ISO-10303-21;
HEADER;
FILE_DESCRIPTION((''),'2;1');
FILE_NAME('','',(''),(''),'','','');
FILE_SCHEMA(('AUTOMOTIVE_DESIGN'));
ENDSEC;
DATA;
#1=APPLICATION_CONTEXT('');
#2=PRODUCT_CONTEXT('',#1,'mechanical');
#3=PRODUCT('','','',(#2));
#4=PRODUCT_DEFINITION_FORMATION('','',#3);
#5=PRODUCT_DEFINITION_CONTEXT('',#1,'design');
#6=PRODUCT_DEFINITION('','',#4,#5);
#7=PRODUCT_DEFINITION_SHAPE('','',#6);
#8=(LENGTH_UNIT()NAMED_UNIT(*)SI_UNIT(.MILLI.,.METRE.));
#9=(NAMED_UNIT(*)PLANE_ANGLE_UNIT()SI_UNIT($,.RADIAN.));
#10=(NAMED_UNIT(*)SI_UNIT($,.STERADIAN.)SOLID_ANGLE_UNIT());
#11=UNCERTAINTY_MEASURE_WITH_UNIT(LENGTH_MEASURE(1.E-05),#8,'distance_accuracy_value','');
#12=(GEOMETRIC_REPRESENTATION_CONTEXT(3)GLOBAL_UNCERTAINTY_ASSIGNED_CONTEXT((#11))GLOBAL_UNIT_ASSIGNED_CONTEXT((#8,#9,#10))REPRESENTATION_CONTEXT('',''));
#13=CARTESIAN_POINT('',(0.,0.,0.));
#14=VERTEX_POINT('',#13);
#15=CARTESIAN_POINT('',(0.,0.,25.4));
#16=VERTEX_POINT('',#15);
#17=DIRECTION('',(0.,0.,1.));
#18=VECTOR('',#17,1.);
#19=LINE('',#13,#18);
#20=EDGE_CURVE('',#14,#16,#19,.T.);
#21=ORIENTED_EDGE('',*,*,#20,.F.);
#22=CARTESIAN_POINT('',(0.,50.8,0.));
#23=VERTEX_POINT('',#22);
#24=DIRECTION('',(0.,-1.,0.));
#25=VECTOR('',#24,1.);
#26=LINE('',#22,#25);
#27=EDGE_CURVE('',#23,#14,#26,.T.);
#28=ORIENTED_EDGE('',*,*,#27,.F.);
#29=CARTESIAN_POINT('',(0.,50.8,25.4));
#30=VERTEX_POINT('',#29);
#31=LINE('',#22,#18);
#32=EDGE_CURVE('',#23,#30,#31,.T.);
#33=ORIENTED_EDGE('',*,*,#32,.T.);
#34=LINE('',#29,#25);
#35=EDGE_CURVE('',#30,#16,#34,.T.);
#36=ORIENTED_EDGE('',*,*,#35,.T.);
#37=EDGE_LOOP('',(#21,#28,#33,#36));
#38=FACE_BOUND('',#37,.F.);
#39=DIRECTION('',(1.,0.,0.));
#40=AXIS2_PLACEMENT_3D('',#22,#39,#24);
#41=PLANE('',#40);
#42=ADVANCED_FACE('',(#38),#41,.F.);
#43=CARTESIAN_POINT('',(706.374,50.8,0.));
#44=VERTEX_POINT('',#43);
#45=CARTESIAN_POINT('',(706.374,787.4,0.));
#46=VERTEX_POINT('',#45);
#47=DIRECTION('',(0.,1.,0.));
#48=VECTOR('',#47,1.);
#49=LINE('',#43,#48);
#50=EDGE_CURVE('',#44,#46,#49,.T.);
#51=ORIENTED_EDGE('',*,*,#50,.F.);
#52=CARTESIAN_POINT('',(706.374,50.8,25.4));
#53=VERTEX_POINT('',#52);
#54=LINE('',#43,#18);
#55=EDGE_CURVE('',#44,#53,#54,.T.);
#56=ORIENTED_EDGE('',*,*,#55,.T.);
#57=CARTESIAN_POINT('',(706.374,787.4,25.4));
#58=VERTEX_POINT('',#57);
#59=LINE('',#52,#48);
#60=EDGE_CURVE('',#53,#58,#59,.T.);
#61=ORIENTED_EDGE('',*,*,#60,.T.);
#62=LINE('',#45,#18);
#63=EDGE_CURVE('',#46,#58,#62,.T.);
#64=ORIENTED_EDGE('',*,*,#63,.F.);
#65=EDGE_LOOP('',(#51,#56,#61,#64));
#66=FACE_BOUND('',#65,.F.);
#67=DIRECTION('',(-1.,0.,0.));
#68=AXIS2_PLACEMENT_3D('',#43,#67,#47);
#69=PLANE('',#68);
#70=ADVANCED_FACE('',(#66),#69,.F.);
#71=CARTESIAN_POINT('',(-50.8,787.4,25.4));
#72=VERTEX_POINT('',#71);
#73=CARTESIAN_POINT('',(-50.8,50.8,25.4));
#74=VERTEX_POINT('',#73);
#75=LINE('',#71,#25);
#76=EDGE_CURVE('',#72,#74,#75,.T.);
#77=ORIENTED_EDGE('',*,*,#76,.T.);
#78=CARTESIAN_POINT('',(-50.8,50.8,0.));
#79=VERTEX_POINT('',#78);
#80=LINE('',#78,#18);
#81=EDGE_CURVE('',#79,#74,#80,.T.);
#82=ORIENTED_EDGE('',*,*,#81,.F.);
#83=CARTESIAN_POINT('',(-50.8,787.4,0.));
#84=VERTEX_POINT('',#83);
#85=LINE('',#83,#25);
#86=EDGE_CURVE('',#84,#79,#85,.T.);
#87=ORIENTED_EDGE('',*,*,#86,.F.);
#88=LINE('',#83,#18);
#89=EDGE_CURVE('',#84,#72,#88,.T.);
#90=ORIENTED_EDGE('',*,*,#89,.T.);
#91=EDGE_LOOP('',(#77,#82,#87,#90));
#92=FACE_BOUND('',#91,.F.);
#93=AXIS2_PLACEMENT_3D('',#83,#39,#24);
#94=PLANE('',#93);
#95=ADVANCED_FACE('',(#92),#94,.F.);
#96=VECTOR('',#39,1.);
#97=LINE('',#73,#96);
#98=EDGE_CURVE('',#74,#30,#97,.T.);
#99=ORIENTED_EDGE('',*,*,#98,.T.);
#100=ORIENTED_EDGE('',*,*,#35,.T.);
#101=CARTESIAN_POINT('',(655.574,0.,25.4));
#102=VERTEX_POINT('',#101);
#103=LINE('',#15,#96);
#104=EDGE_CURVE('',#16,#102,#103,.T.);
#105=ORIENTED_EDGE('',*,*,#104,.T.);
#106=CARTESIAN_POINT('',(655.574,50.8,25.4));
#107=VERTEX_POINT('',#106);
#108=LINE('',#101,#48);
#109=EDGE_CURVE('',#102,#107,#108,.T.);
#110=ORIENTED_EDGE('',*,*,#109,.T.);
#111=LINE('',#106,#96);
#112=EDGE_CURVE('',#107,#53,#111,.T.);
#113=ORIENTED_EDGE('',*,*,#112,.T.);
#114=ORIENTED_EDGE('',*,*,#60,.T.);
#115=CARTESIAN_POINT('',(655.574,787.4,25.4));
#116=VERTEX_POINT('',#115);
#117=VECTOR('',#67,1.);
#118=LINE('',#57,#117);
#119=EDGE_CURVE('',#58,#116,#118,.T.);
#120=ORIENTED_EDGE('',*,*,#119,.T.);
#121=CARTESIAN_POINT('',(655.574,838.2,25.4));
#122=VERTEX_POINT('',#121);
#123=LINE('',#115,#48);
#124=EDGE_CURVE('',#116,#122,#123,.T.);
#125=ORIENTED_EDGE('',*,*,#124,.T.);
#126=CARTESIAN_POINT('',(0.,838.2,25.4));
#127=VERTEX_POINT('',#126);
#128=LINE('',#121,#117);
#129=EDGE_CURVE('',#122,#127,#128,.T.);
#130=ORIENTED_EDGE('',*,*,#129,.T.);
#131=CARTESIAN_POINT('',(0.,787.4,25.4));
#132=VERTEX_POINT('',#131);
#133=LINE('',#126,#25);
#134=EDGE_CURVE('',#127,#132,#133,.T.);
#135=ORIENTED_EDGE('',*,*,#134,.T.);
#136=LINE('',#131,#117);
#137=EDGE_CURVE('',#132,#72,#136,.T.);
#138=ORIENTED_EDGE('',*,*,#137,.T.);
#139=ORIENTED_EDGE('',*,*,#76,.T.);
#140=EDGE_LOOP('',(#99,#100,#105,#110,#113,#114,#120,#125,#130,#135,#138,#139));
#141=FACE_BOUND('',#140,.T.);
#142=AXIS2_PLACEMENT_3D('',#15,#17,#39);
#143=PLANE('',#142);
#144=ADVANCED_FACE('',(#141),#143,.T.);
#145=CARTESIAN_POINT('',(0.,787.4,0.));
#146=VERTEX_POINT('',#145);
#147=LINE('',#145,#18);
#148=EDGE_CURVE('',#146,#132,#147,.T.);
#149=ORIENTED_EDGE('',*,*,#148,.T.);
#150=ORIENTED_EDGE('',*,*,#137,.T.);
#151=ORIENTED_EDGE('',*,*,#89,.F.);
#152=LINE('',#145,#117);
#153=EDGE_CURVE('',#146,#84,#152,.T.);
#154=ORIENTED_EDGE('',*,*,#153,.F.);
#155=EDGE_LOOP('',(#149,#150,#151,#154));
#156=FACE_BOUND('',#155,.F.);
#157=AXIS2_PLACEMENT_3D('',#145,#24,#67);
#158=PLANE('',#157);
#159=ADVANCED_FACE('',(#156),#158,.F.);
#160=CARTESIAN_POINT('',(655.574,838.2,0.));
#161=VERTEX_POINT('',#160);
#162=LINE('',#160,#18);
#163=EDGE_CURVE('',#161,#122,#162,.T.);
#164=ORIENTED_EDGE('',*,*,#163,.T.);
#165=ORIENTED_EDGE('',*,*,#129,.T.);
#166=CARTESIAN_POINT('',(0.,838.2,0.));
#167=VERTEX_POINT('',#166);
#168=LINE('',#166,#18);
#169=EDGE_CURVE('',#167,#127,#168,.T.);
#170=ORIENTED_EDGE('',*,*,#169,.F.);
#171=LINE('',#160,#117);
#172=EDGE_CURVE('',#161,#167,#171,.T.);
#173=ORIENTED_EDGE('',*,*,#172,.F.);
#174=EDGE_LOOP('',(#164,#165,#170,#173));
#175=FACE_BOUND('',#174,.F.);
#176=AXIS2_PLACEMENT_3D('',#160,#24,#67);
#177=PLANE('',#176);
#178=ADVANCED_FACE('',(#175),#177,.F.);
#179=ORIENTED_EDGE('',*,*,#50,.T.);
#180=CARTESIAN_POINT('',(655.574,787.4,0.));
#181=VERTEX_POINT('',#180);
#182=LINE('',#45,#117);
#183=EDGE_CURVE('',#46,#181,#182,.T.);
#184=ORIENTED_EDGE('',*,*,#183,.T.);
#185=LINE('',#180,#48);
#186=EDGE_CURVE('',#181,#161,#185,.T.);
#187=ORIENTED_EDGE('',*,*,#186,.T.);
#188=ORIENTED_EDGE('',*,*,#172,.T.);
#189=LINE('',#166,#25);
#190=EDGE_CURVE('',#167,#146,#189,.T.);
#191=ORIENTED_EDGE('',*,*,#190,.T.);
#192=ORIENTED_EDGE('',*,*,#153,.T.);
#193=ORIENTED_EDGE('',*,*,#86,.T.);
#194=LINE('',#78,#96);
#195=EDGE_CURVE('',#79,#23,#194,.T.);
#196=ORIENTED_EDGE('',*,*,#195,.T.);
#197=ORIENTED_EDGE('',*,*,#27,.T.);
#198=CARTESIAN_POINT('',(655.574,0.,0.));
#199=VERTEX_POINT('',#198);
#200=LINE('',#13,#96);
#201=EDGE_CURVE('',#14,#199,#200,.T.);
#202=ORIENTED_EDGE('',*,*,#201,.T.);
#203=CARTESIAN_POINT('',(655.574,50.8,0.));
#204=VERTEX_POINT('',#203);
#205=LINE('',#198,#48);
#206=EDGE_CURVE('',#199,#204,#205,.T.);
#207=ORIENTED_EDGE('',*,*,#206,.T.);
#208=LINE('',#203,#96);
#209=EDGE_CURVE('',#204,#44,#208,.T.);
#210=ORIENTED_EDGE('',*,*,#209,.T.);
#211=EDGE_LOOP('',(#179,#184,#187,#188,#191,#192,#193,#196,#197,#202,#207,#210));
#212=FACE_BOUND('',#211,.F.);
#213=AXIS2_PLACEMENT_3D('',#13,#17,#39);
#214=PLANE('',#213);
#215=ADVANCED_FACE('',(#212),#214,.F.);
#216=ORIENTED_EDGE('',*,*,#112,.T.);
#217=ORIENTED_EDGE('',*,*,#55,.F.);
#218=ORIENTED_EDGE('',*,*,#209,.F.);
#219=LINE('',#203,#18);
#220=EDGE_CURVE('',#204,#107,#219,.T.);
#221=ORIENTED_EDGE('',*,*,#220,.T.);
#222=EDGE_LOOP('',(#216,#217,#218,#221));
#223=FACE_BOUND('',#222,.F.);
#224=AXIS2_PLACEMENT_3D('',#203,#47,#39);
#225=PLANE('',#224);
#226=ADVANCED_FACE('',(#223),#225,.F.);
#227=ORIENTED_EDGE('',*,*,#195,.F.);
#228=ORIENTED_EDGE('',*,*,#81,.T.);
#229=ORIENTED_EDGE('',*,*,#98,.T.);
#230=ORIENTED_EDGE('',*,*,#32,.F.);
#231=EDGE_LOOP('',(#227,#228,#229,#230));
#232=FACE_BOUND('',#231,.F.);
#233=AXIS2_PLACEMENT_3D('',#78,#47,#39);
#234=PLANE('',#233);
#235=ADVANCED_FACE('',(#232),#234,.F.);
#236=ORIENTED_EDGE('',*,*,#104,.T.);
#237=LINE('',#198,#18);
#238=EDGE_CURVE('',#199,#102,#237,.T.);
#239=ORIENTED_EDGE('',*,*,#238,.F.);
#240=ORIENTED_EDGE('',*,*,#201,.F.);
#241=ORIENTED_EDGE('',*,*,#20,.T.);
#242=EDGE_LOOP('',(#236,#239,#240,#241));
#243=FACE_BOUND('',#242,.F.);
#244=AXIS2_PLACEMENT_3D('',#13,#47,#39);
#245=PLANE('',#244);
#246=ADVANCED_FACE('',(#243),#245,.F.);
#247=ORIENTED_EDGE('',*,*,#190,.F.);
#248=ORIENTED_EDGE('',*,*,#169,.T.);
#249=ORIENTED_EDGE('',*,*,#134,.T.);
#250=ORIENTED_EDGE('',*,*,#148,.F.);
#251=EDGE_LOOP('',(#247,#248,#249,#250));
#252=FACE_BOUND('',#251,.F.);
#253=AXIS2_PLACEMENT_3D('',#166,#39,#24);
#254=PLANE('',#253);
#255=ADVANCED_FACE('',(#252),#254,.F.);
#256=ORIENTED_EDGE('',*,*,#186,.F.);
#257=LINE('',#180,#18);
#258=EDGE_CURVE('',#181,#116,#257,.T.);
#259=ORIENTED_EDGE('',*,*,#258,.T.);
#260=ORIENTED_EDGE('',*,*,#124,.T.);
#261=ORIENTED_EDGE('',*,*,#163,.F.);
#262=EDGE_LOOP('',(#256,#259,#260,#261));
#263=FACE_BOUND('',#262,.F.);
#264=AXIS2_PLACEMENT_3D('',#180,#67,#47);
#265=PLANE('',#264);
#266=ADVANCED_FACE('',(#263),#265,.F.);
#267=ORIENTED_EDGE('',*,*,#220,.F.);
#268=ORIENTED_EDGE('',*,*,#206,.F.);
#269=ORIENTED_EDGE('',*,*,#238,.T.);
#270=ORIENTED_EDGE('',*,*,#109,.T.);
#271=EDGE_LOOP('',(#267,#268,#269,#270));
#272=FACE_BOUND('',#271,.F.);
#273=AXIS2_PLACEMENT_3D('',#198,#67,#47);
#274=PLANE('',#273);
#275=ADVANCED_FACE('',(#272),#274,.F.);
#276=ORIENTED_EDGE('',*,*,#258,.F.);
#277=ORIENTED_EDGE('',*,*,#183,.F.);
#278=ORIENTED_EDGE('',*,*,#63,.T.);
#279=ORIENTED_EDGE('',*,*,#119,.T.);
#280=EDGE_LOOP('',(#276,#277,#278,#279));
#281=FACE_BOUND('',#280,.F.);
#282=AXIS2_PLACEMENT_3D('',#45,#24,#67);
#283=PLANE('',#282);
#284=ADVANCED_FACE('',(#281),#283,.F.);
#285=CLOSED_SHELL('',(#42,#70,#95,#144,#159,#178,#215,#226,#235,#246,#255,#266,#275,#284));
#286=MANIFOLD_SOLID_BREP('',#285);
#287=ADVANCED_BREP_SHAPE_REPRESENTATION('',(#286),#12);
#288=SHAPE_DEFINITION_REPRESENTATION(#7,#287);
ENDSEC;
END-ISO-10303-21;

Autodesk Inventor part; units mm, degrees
ref_plane "YZ Plane" through (0, 0, 0) normal (1, 0, 0) x (0, 1, 0)
ref_plane "XZ Plane" through (0, 0, 0) normal (0, 1, 0) x (-1, 0, 0)
ref_plane "XY Plane" through (0, 0, 0) normal (0, 0, 1) x (1, 0, 0)
sketch "Sketch1" plane through (0, 0, 0) normal (0, 0, 1) x (1, 0, 0)
  line L0 (0, 0) -> (655.574, 0)
  line L1 (655.574, 0) -> (655.574, 50.8)
  line L2 (655.574, 50.8) -> (706.374, 50.8)
  line L3 (706.374, 50.8) -> (706.374, 787.4)
  line L4 (706.374, 787.4) -> (655.574, 787.4)
  line L5 (655.574, 787.4) -> (655.574, 838.2)
  line L6 (655.574, 838.2) -> (0, 838.2)
  line L7 (0, 838.2) -> (0, 787.4)
  line L8 (0, 787.4) -> (-50.8, 787.4)
  line L9 (-50.8, 787.4) -> (-50.8, 50.8)
  line L10 (-50.8, 50.8) -> (0, 50.8)
  line L11 (0, 50.8) -> (0, 0)
  dimension "d0" = 655.574
  dimension "d1" = 50.8
  dimension "d2" = 50.8
  dimension "d3" = 736.6
  dimension "d4" = 50.8
  dimension "d5" = 50.8
  dimension "d6" = 50.8
  dimension "d7" = 50.8
extrude "Extrusion1" add sketch "Sketch1" along normal blind 25.4
properties part number "Lower Platform"
